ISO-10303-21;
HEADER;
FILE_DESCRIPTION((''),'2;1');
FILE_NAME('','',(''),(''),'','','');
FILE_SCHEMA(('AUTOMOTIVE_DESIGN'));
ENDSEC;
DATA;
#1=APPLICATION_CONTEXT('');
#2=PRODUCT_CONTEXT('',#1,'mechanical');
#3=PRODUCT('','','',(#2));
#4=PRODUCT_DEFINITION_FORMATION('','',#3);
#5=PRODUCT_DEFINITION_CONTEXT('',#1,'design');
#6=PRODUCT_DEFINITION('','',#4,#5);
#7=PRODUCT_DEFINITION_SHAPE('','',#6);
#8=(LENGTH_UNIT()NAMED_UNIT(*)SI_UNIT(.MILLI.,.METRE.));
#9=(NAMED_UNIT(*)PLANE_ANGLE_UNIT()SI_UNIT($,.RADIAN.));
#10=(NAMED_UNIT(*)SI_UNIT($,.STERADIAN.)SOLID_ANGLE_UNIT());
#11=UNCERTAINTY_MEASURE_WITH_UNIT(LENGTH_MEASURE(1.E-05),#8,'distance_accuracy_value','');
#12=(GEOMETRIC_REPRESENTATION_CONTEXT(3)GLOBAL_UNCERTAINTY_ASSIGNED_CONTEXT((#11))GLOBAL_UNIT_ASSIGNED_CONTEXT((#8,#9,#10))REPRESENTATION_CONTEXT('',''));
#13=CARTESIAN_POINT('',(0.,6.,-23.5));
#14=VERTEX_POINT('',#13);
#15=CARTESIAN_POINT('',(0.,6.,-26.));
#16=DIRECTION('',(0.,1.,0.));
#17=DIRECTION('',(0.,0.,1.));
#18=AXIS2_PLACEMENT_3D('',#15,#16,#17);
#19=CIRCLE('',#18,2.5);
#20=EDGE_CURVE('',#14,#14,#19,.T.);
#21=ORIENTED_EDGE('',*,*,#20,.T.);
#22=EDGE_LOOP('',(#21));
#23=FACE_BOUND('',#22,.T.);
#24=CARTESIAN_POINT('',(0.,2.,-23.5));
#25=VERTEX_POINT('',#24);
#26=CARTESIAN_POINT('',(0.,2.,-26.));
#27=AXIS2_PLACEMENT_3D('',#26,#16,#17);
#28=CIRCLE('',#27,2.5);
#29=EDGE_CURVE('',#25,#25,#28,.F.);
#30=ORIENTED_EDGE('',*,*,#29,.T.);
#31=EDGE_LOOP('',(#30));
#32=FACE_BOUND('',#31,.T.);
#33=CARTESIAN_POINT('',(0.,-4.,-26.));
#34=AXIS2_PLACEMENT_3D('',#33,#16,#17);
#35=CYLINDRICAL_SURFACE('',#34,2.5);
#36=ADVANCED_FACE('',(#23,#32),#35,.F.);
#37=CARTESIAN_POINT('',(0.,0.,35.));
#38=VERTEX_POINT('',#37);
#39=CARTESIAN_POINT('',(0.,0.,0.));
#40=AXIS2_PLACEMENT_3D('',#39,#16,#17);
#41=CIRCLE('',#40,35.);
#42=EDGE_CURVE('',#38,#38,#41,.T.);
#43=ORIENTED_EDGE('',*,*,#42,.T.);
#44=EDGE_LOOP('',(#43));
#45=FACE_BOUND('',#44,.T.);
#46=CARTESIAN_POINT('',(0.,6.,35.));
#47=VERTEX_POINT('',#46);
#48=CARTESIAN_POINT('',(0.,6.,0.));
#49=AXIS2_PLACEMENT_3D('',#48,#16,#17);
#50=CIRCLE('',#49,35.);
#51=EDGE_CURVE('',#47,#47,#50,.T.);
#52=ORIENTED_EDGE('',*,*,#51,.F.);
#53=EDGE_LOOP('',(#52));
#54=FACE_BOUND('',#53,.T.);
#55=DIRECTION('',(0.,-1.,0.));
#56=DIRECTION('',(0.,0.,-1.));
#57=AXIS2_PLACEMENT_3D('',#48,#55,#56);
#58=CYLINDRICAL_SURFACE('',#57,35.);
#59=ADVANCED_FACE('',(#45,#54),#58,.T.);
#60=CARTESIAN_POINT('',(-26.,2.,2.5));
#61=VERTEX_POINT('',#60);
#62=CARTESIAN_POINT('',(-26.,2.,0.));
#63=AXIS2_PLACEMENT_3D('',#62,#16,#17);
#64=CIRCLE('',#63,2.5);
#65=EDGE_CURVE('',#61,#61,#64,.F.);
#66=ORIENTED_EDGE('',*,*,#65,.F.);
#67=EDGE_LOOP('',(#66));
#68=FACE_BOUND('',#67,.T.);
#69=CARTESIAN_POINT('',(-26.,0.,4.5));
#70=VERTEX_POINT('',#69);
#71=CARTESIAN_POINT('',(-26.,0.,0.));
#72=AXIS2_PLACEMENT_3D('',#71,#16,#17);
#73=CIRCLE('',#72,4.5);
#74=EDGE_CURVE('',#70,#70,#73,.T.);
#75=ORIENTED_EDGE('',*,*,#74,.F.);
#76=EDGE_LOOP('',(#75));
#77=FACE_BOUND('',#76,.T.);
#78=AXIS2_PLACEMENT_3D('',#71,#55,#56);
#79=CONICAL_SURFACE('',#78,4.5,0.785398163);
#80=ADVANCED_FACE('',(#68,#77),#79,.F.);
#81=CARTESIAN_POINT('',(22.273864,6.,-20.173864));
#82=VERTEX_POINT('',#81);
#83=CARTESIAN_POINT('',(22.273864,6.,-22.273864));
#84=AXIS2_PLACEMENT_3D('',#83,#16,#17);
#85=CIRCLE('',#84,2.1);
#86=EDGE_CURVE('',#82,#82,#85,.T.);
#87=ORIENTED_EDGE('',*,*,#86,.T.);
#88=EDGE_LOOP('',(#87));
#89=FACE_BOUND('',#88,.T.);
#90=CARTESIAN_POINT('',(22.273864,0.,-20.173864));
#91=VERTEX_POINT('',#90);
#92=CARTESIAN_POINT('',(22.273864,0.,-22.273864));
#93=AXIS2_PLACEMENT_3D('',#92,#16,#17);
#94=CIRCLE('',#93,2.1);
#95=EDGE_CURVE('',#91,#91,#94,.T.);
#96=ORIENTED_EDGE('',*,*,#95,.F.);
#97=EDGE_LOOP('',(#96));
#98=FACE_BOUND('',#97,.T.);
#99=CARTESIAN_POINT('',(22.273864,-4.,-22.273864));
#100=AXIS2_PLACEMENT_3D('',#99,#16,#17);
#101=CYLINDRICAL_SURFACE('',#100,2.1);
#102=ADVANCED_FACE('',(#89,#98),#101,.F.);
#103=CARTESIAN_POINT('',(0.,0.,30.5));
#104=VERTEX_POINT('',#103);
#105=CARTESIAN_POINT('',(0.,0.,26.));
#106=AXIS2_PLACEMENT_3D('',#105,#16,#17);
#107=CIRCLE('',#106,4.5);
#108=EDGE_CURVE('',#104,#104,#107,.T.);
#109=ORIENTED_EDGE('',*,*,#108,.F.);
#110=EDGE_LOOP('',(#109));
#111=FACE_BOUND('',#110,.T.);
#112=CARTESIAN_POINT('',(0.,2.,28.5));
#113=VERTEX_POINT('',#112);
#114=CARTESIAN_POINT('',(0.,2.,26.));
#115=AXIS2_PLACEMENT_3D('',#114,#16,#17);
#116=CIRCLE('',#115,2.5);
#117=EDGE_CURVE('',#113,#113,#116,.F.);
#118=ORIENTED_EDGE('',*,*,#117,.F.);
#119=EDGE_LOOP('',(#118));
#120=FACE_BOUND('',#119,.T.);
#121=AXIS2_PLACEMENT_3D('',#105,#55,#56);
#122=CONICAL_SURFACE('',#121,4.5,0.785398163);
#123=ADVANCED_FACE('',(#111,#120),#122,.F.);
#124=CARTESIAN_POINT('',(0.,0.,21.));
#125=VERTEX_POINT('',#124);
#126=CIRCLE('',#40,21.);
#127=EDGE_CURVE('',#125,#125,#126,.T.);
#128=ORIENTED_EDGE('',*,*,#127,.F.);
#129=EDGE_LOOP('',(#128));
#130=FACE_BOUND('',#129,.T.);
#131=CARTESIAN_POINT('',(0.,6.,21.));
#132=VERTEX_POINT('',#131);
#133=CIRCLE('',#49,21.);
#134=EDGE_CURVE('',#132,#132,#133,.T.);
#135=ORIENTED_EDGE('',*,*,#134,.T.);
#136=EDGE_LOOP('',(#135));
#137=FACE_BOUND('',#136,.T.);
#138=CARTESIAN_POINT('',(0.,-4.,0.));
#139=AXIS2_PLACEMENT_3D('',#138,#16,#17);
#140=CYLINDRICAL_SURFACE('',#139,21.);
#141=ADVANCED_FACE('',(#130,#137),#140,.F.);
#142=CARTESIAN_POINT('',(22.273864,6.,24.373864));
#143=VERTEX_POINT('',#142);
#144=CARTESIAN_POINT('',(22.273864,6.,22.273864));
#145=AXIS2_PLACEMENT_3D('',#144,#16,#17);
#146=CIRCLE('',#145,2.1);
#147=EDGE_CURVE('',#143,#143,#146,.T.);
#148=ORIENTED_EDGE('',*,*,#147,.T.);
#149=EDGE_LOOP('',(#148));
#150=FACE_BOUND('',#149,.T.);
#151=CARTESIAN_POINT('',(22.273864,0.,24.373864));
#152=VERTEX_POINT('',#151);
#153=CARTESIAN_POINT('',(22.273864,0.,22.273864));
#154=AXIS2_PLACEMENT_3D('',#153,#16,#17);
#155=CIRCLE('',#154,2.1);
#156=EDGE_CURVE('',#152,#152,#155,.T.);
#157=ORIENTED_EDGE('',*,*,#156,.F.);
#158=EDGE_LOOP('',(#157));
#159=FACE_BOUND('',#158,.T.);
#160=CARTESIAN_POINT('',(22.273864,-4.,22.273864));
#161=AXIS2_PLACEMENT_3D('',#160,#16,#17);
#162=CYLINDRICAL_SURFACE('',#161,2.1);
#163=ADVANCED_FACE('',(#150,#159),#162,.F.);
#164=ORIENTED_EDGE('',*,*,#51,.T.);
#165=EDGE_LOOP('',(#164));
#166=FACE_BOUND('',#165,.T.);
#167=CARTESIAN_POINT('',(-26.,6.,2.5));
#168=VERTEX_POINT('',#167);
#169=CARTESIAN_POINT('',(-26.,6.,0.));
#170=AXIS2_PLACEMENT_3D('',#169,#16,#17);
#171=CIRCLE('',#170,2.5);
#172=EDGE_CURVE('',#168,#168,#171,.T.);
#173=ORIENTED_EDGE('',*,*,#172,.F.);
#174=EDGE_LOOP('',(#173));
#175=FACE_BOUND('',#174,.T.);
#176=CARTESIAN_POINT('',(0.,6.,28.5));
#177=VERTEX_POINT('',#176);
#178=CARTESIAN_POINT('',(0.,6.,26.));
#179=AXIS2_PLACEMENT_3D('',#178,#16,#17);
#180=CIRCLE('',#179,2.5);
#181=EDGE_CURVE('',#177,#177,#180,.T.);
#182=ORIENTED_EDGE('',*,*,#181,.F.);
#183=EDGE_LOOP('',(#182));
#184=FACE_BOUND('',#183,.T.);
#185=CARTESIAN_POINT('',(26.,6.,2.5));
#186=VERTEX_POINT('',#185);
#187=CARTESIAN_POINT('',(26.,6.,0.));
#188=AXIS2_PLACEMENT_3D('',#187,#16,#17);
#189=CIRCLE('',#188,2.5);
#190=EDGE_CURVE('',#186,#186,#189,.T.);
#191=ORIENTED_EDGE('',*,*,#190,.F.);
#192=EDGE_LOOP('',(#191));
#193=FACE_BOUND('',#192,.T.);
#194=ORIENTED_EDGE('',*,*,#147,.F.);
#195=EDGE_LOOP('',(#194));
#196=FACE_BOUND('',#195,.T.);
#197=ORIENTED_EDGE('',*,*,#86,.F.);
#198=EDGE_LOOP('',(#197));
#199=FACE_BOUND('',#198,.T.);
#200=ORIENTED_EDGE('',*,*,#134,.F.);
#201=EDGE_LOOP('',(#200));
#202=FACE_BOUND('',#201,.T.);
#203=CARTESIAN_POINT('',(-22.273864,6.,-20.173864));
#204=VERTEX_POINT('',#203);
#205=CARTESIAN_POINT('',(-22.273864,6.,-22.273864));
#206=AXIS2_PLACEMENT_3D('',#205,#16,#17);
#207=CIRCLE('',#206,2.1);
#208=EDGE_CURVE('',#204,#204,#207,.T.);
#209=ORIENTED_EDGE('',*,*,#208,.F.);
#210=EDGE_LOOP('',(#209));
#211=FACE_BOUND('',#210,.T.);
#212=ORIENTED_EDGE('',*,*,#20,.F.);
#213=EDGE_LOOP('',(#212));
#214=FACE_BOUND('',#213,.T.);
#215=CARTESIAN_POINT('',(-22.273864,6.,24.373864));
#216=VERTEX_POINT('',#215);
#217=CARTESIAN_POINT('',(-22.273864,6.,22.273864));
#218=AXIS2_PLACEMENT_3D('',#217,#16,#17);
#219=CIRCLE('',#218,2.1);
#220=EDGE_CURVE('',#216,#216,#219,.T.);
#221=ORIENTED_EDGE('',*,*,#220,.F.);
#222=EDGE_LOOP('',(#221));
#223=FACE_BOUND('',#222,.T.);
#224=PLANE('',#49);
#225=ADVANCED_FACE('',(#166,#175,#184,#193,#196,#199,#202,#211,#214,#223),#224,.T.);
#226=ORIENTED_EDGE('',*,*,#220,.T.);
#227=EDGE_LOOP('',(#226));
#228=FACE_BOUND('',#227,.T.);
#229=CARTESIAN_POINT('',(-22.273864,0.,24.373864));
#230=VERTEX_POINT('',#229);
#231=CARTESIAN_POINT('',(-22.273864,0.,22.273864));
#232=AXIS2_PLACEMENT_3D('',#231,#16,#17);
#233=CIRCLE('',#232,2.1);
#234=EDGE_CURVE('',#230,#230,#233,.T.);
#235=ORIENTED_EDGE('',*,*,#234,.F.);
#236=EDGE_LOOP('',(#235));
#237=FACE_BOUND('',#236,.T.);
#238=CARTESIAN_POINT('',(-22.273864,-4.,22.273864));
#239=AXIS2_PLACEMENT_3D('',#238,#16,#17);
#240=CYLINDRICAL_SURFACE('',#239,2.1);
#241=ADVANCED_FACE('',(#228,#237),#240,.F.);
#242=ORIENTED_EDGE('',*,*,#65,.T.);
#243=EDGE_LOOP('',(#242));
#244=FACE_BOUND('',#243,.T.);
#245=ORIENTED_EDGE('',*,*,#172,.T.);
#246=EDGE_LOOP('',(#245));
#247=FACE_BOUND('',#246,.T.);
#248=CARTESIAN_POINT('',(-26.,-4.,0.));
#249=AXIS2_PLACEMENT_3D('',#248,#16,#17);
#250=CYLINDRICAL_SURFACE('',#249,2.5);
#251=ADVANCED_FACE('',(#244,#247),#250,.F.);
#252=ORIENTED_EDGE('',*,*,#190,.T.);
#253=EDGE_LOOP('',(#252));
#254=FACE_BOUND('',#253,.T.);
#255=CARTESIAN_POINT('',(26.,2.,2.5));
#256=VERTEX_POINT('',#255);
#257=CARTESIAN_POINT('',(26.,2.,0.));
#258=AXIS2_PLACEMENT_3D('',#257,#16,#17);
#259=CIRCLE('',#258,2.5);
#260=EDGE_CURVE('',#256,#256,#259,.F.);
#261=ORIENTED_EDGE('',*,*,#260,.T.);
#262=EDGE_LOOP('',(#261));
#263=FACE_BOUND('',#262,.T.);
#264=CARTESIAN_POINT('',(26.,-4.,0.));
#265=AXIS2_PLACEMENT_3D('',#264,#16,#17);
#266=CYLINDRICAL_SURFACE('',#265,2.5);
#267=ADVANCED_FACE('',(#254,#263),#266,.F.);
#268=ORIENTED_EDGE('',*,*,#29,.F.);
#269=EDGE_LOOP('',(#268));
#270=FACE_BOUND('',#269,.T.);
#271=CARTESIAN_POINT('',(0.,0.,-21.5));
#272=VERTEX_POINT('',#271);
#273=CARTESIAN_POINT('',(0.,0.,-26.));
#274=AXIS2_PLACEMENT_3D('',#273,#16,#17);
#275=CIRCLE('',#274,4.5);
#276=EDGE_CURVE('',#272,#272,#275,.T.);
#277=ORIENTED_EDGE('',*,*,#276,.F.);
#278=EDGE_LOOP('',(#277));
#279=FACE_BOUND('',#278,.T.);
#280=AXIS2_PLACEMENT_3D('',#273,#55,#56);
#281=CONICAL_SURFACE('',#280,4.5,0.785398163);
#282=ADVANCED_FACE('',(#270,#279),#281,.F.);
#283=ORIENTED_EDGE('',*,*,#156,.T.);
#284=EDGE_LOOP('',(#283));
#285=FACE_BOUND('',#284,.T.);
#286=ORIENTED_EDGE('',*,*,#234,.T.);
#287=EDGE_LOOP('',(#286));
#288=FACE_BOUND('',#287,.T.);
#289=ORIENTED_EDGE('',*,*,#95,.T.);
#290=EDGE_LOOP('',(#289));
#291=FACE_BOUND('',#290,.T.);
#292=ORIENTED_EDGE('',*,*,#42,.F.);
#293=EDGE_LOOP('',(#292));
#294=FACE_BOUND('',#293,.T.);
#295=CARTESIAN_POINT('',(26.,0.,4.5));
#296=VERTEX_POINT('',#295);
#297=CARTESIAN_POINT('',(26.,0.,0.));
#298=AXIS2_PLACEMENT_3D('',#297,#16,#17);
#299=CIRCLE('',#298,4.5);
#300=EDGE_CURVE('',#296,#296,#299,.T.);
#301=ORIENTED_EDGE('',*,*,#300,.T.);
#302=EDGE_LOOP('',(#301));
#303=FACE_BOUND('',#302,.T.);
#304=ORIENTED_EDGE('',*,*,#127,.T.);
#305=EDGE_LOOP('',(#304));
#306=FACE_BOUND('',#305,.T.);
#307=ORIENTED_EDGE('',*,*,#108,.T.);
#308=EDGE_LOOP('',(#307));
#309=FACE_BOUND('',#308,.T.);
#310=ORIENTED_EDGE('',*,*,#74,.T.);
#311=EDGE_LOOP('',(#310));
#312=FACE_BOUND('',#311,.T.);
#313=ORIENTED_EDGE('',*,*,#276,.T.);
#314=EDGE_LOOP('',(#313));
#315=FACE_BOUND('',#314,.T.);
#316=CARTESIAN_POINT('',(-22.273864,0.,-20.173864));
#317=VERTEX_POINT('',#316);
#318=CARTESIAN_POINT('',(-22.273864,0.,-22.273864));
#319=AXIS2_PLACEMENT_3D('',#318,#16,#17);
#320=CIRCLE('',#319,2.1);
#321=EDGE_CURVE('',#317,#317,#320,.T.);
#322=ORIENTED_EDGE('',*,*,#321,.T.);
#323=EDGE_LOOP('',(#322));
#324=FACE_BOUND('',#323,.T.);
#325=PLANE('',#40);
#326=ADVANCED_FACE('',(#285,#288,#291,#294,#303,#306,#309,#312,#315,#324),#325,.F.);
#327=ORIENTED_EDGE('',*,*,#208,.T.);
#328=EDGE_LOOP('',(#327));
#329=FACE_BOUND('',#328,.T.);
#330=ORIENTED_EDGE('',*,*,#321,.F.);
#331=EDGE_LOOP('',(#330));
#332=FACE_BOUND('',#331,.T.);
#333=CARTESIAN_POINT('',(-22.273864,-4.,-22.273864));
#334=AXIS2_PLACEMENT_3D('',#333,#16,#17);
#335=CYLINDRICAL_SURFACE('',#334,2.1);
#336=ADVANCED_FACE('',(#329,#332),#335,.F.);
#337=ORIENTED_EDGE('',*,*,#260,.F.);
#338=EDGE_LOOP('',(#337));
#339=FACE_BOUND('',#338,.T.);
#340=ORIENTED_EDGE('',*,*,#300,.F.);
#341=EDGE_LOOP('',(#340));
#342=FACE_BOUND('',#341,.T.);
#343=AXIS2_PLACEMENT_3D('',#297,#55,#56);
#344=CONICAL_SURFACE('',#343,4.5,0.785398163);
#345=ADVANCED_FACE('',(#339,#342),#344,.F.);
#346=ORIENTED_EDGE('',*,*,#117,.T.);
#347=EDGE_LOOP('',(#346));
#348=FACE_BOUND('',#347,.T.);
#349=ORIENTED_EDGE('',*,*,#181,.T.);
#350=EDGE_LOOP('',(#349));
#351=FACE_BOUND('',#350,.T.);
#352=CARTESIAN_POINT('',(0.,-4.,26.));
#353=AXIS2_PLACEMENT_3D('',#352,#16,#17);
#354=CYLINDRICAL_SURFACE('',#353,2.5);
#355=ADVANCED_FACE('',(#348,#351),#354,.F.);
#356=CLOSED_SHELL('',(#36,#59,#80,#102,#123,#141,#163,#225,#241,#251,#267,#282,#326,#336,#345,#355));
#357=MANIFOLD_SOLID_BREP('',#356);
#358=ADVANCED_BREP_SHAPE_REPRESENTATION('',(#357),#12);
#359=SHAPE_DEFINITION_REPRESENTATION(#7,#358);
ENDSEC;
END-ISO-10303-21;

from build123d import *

# Parameters (mm, degrees)
SKETCH_1_R          = 35
EXTRUDE_1_DEPTH     = 6
SKETCH_2_R          = 21
SKETCH_2_R_2        = 2.5
SKETCH_2_R_3        = 2.1
CUT_EXTRUDE_1_DEPTH = 10
CHAMFER_1_SIZE      = 2


with BuildPart() as part:
    # Эскиз1 → Бобышка-Вытянуть1 (new body)
    with BuildSketch(Plane(origin=(0, 0, 0), x_dir=(1, 0, 0), z_dir=(0, 1, 0))):
        with Locations(Location((0, 0, 0), (0, 0, 270))):
            Circle(SKETCH_1_R)
    extrude(amount=EXTRUDE_1_DEPTH)

    # Эскиз2 → Вырез-Вытянуть1 (cut)
    with BuildSketch(Plane(origin=(0, 6, 0), x_dir=(1, 0, 0), z_dir=(0, 1, 0))):
        with Locations(Location((0, 0, 0), (0, 0, 270))):
            Circle(SKETCH_2_R)
        with Locations(Location((0, 26, 0), (0, 0, 270))):
            Circle(SKETCH_2_R_2)
        with Locations(Location((0, -26, 0), (0, 0, 270))):
            Circle(SKETCH_2_R_2)
        with Locations(Location((26, 0, 0), (0, 0, 270))):
            Circle(SKETCH_2_R_2)
        with Locations(Location((-26, 0, 0), (0, 0, 270))):
            Circle(SKETCH_2_R_2)
        with Locations(Location((-22.273863607, 22.273863607, 0), (0, 0, 270))):
            Circle(SKETCH_2_R_3)
        with Locations(Location((-22.273863607, -22.273863607, 0), (0, 0, 270))):
            Circle(SKETCH_2_R_3)
        with Locations(Location((22.273863607, -22.273863607, 0), (0, 0, 270))):
            Circle(SKETCH_2_R_3)
        with Locations(Location((22.273863607, 22.273863607, 0), (0, 0, 270))):
            Circle(SKETCH_2_R_3)
    extrude(amount=-CUT_EXTRUDE_1_DEPTH, mode=Mode.SUBTRACT)

    # Фаска1
    chamfer_1_edges = [part.edges().sort_by_distance(p)[0] for p in [
        (0, 0, -28.5),
        (0, 0, 23.5),
        (26, 0, -2.5),
        (-26, 0, -2.5),
    ]]
    chamfer(chamfer_1_edges, length=CHAMFER_1_SIZE)


solid = part.part
